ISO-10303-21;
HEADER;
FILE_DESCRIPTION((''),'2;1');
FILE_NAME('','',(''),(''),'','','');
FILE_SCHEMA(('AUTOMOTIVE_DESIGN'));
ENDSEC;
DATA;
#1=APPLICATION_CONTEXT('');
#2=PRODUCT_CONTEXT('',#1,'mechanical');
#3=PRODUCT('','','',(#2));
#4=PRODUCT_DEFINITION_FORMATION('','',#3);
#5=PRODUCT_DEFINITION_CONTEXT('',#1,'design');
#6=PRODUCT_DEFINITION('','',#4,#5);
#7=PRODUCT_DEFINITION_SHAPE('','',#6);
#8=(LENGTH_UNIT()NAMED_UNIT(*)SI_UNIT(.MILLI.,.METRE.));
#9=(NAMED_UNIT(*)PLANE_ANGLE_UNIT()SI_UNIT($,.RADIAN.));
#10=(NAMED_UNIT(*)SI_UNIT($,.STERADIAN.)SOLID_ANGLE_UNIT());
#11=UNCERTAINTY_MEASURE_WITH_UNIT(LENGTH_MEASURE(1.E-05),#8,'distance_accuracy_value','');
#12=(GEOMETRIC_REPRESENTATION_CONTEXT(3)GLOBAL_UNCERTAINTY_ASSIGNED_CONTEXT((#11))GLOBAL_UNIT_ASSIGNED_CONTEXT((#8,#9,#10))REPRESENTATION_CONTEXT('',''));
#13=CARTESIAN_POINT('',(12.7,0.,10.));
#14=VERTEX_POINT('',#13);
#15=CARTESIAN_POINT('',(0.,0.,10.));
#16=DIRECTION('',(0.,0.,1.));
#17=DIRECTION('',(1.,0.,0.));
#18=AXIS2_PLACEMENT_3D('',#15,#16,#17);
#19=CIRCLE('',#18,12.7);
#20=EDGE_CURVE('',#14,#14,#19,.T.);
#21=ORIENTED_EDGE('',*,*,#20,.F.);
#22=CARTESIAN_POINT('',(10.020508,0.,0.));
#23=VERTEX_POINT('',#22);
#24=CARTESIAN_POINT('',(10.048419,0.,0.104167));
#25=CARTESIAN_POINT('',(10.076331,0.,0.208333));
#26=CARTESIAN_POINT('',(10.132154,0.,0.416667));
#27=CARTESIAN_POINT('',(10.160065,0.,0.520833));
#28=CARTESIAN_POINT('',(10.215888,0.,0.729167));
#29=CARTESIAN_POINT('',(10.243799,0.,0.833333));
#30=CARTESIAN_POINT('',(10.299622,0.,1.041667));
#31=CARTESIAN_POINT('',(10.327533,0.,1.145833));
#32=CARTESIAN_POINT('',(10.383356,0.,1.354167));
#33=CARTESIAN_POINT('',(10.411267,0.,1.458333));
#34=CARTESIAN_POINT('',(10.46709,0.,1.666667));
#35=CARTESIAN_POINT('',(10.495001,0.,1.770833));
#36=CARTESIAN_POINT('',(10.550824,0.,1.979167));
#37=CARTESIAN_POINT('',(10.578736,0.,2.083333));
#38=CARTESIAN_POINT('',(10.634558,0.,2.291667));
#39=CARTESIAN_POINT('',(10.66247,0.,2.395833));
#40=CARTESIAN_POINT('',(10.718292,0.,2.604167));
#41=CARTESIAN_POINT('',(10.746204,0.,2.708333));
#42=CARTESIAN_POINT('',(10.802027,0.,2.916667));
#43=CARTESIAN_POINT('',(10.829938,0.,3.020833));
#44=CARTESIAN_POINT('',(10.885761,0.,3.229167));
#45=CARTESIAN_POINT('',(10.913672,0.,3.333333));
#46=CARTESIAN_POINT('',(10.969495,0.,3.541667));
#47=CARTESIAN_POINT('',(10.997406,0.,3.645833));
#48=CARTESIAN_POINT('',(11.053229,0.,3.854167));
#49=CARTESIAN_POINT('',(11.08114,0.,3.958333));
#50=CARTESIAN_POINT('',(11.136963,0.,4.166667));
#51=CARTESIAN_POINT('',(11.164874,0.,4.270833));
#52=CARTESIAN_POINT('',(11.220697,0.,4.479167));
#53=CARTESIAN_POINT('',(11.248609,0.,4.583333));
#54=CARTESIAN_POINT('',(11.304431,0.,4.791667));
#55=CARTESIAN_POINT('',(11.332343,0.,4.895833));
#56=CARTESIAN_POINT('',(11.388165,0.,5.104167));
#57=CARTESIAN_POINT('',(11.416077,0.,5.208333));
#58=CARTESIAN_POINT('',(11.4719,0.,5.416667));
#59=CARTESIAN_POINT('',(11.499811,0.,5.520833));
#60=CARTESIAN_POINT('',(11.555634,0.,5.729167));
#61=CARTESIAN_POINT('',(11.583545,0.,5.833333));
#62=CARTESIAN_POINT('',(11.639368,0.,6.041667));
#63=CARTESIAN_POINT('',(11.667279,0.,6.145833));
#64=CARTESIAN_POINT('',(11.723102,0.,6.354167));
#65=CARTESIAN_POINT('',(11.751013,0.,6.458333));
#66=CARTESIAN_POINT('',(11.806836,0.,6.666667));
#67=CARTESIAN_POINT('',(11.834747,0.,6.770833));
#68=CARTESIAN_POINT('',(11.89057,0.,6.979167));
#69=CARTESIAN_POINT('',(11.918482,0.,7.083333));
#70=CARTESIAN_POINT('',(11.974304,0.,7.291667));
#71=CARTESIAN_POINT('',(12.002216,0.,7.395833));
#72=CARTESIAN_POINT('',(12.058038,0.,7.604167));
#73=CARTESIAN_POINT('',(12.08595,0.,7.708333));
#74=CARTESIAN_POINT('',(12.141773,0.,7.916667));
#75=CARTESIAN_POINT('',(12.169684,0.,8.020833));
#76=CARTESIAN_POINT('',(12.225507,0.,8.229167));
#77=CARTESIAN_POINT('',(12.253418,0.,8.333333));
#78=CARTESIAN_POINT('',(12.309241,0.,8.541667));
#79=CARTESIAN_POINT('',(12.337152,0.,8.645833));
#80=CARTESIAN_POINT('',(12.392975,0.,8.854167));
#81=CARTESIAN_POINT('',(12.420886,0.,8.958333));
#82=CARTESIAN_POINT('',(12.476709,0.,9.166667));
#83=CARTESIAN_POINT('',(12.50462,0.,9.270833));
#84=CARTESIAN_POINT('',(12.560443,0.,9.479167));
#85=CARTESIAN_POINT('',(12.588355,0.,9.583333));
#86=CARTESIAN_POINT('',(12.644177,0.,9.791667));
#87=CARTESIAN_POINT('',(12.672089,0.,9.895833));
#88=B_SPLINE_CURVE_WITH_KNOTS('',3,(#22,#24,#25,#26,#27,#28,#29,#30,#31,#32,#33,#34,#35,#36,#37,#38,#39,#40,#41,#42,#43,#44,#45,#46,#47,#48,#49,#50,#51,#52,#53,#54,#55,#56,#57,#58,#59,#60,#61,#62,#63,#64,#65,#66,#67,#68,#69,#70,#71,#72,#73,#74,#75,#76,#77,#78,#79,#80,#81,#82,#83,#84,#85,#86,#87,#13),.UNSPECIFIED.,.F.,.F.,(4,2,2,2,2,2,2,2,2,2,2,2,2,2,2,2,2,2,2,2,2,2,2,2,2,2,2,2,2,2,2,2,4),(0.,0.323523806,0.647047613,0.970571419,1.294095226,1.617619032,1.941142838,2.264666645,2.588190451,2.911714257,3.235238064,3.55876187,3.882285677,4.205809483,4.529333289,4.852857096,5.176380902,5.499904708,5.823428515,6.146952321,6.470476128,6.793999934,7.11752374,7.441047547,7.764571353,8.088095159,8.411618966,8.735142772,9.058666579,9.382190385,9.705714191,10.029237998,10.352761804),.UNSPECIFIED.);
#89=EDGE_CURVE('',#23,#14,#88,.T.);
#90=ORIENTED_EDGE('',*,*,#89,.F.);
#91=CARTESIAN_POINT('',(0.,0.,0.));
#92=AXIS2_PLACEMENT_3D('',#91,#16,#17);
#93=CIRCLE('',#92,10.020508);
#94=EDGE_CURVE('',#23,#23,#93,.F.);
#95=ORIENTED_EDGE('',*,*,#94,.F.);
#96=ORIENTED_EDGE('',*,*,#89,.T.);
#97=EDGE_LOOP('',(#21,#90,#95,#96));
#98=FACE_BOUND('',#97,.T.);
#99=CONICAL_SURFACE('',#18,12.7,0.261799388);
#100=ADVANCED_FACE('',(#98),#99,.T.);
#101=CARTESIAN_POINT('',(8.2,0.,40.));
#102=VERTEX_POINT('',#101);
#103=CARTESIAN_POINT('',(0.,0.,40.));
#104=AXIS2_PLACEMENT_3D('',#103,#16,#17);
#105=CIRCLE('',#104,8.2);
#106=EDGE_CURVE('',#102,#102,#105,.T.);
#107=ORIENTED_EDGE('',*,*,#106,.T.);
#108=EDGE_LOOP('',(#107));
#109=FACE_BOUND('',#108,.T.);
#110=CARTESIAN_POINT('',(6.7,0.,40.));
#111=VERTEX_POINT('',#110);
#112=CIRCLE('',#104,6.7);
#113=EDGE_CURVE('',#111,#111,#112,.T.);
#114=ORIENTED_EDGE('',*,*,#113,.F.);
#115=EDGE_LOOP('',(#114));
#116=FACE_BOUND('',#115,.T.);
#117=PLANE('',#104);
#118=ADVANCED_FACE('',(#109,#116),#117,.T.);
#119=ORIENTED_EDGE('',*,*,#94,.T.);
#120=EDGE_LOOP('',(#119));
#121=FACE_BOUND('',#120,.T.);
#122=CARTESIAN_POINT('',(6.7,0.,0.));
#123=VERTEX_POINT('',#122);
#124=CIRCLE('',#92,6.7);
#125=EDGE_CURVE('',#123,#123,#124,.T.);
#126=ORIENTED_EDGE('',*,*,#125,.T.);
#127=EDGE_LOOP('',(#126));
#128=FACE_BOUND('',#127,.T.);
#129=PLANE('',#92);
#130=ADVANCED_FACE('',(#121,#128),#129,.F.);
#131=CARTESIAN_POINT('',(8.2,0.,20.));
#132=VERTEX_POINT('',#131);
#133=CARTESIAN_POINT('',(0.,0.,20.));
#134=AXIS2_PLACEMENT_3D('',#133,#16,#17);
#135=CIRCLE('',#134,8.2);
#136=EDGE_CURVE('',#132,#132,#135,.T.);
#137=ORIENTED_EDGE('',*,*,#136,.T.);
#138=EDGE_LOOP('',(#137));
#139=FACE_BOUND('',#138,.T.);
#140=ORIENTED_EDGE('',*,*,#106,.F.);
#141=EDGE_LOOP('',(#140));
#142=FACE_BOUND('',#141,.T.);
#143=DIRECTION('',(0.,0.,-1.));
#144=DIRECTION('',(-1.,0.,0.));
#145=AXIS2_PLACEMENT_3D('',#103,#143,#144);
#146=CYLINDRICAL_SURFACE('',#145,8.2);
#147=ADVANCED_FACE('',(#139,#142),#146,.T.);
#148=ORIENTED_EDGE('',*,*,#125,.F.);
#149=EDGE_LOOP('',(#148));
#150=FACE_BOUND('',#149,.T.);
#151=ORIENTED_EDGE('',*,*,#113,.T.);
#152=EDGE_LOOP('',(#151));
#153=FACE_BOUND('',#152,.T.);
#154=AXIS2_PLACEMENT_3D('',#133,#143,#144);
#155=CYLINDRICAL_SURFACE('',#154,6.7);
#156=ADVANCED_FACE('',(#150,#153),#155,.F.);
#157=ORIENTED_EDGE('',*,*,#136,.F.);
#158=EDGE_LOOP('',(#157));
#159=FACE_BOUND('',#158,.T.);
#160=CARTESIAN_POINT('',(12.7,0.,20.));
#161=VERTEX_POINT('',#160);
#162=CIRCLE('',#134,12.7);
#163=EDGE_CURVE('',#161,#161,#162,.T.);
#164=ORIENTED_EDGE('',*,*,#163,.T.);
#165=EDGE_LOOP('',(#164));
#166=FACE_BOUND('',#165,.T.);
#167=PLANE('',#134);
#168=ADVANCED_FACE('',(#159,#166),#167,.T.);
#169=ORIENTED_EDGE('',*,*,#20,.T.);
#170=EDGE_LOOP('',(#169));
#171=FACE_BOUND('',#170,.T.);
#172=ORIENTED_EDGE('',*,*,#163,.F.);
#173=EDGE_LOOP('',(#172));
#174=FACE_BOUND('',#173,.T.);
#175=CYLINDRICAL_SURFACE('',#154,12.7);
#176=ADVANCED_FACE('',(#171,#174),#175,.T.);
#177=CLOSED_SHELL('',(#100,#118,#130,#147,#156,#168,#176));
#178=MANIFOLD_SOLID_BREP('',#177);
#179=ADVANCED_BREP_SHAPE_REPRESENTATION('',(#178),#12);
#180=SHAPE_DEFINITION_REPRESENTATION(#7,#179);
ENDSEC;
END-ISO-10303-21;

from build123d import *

# Parameters (mm, degrees)
SKETCH1_R           = 12.7
SKETCH1_R_2         = 8.2
SKETCH1_R_3         = 6.7
BOSS_EXTRUDE1_DEPTH = 20
BOSS_EXTRUDE2_START = 20
SKETCH1_4_R         = 8.2
SKETCH1_4_R_2       = 6.7
BOSS_EXTRUDE2_DEPTH = 20
CHAMFER1_SIZE       = 10
CHAMFER1_SIZE2      = 2.679491924


with BuildPart() as part:
    # Sketch1 → Boss-Extrude1 (new body)
    # profile 1 of 2: a face of its own
    with BuildSketch(Plane.XY):
        Circle(SKETCH1_R)
        Circle(SKETCH1_R_2, mode=Mode.SUBTRACT)
    # profile 2 of 2: a face of its own
    with BuildSketch(Plane.XY):
        Circle(SKETCH1_R_2)
        Circle(SKETCH1_R_3, mode=Mode.SUBTRACT)
    extrude(amount=BOSS_EXTRUDE1_DEPTH)

    # Sketch1<4> → Boss-Extrude2 (add)
    with BuildSketch(Plane.XY.offset(BOSS_EXTRUDE2_START)):
        Circle(SKETCH1_4_R)
        Circle(SKETCH1_4_R_2, mode=Mode.SUBTRACT)
    extrude(amount=BOSS_EXTRUDE2_DEPTH)

    # Chamfer1
    chamfer1_edges = [part.edges().sort_by_distance(p)[0] for p in [
        (-12.7, 0, 0),
    ]]
    chamfer1_side = [part.faces().sort_by_distance(p)[0] for p in [
        (-12.7, 0, 10),
    ]]
    chamfer(chamfer1_edges, length=CHAMFER1_SIZE, length2=CHAMFER1_SIZE2, reference=chamfer1_side[0])


solid = part.part
